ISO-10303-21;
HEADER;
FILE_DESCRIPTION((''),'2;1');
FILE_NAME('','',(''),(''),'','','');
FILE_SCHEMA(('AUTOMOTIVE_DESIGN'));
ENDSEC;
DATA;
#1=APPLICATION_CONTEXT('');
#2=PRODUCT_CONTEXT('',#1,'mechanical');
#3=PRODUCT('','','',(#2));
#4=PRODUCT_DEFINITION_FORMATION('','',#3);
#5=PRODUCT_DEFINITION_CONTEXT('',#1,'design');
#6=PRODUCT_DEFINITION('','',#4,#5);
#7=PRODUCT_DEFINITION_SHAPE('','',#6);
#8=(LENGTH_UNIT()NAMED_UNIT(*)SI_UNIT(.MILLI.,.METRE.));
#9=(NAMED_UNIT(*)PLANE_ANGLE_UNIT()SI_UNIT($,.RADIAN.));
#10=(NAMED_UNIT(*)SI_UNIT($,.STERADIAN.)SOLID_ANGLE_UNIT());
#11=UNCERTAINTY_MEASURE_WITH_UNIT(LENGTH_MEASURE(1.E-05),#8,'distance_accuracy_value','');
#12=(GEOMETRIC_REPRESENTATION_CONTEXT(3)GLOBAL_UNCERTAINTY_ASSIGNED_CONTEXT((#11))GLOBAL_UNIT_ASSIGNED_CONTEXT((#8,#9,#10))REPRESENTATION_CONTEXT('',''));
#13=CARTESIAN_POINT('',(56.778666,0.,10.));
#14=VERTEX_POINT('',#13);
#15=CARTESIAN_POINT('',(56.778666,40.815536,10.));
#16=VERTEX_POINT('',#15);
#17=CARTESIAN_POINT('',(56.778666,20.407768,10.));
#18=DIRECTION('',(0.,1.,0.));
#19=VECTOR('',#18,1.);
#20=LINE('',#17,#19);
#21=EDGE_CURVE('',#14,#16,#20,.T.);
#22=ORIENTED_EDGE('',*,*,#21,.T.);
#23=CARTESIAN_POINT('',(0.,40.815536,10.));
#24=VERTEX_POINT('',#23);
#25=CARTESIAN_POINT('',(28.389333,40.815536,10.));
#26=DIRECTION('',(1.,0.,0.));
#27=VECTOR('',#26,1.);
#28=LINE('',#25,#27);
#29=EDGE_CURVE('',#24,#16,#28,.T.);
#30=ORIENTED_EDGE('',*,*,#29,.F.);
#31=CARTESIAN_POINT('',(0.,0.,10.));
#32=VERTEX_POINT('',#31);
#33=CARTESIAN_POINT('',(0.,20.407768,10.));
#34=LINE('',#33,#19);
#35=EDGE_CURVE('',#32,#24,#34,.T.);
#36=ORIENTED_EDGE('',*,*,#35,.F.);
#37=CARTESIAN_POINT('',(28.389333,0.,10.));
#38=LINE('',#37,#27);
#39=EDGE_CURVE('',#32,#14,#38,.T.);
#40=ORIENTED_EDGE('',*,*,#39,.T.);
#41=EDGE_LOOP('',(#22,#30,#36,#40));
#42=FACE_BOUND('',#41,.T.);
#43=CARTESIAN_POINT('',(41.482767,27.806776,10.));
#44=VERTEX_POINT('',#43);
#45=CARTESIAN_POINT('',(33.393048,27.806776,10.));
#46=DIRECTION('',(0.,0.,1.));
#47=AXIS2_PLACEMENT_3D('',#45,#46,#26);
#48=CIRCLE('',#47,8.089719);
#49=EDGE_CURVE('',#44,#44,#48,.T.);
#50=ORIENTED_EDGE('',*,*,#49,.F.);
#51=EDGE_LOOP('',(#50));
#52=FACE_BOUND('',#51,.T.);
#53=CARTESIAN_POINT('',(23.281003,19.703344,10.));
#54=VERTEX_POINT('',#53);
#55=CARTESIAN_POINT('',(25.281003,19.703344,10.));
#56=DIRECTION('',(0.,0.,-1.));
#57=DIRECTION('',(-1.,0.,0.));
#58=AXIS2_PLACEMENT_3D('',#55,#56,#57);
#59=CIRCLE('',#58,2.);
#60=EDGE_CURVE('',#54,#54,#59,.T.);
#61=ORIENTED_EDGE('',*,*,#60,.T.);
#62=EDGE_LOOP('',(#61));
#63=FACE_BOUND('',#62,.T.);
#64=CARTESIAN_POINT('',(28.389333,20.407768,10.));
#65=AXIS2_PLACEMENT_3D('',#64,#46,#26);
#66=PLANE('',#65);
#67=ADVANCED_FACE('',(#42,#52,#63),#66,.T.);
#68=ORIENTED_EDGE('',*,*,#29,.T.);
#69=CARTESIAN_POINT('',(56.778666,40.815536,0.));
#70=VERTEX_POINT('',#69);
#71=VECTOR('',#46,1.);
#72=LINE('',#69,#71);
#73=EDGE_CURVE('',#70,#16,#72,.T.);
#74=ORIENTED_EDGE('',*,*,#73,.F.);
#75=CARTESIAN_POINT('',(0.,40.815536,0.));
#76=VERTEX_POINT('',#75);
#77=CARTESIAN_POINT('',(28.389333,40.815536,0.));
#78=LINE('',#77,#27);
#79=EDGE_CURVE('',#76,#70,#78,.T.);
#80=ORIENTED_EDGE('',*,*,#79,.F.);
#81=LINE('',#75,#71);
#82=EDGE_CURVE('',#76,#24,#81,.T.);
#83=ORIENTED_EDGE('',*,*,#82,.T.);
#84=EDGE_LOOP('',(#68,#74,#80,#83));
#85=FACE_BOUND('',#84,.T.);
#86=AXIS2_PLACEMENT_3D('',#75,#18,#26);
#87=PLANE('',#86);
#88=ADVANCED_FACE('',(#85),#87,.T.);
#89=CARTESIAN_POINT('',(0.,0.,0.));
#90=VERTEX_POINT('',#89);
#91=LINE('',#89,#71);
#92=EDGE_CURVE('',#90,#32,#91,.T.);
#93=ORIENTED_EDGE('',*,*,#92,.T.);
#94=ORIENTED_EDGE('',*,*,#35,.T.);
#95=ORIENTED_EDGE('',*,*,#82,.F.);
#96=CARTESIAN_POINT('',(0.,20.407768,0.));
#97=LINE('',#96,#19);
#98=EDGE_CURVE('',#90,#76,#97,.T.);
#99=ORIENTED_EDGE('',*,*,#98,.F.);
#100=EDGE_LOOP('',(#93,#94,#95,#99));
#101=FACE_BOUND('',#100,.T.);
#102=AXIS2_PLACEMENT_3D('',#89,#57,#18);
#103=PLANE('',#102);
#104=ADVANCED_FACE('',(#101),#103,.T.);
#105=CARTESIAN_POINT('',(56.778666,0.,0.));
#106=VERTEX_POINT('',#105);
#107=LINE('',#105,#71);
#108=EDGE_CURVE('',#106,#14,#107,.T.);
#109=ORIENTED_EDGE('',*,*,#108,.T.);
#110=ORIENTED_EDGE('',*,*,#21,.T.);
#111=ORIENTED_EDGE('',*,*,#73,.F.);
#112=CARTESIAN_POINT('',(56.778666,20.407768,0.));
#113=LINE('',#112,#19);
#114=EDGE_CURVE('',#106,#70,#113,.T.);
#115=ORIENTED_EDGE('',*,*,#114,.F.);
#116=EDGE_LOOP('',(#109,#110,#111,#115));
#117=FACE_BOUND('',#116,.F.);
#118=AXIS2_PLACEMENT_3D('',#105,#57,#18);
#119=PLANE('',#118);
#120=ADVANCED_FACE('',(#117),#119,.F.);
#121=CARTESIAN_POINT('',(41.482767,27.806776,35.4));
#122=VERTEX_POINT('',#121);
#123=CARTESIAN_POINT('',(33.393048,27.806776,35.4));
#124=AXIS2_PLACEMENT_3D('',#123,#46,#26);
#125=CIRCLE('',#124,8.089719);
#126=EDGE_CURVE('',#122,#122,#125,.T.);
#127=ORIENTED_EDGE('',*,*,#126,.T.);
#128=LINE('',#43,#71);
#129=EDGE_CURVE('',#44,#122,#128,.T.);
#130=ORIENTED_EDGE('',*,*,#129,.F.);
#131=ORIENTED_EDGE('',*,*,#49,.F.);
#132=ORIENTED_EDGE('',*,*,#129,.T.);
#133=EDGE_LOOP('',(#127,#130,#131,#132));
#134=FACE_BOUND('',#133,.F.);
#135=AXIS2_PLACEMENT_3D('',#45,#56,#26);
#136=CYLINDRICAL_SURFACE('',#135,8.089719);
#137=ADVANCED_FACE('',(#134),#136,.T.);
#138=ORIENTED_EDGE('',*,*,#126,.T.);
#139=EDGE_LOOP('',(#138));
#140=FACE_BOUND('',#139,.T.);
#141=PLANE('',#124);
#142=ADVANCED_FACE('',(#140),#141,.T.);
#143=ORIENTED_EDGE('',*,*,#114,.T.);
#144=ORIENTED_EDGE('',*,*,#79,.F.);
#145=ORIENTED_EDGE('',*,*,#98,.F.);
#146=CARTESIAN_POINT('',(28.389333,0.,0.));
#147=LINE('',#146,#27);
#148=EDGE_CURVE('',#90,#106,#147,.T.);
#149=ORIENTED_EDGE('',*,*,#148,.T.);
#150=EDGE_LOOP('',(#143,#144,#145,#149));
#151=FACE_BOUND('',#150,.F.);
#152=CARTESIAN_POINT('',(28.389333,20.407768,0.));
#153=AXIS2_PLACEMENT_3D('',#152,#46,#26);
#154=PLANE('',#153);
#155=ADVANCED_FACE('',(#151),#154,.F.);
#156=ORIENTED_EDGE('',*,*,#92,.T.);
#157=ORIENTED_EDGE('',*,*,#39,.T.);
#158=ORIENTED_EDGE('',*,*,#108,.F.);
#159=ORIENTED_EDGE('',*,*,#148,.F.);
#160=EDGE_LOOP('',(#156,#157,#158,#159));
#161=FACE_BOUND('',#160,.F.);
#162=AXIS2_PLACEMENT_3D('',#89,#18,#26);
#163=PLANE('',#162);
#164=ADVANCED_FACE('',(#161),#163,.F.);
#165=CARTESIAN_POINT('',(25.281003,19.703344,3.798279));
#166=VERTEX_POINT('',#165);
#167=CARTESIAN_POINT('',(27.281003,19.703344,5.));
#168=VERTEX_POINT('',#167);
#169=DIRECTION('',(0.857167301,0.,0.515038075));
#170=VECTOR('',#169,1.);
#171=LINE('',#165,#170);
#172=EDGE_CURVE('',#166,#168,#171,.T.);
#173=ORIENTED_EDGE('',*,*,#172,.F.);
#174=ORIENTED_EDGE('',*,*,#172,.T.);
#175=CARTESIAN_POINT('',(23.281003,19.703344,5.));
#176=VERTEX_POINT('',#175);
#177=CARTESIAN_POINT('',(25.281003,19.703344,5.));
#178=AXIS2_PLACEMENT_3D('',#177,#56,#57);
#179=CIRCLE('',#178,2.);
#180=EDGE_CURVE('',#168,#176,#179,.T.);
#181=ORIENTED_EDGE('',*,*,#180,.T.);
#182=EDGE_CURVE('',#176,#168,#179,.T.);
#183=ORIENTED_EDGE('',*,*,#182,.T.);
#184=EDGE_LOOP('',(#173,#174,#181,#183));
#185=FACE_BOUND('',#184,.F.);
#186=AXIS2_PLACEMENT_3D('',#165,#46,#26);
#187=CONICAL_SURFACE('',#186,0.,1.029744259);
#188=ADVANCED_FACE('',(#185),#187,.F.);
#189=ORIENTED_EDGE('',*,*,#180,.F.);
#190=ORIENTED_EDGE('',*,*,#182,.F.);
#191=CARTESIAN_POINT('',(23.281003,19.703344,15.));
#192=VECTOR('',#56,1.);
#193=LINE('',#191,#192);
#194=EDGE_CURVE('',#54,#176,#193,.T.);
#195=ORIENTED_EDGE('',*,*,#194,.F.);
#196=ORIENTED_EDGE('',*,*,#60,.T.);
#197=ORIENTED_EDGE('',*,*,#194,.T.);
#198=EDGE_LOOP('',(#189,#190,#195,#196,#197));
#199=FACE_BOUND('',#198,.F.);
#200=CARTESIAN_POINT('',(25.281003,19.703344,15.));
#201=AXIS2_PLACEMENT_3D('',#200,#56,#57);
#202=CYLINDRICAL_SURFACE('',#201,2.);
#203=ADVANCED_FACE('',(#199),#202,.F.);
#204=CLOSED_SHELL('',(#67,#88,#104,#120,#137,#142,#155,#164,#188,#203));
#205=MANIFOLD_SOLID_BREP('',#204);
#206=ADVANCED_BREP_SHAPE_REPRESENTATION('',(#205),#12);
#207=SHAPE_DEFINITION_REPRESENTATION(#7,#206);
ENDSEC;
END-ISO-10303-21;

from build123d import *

# Parameters (mm, degrees)
F0_W     = 56.778665632
F0_H     = 40.8155359328
F1_DEPTH = 10
F3_D     = 4
F3_DEPTH = 5
F3_TIP   = 1.2017212381
F4_R     = 8.0897194279
F5_DEPTH = 25.4


with BuildPart() as f1:
    # F0 (on Top) → F1 (new body)
    with BuildSketch(Plane.XY):
        with Locations((28.389332816, 20.4077679664)):
            Rectangle(F0_W, F0_H)
    extrude(amount=F1_DEPTH)

    # F3
    with Locations(Plane.XY.offset(10)):
        with Locations((25.281002745, 19.7033435106)):
            Hole(F3_D / 2, depth=F3_DEPTH)
            with Locations((0, 0, -(F3_DEPTH + F3_TIP / 2))):  # 118° drill point
                Cone(0, F3_D / 2, F3_TIP, mode=Mode.SUBTRACT)

    # F4 (on face) → F5 (join)
    with BuildSketch(Plane.XY.offset(10)):
        with Locations((33.39304775, 27.8067756444)):
            Circle(F4_R)
    extrude(amount=F5_DEPTH)


solid = f1.part
